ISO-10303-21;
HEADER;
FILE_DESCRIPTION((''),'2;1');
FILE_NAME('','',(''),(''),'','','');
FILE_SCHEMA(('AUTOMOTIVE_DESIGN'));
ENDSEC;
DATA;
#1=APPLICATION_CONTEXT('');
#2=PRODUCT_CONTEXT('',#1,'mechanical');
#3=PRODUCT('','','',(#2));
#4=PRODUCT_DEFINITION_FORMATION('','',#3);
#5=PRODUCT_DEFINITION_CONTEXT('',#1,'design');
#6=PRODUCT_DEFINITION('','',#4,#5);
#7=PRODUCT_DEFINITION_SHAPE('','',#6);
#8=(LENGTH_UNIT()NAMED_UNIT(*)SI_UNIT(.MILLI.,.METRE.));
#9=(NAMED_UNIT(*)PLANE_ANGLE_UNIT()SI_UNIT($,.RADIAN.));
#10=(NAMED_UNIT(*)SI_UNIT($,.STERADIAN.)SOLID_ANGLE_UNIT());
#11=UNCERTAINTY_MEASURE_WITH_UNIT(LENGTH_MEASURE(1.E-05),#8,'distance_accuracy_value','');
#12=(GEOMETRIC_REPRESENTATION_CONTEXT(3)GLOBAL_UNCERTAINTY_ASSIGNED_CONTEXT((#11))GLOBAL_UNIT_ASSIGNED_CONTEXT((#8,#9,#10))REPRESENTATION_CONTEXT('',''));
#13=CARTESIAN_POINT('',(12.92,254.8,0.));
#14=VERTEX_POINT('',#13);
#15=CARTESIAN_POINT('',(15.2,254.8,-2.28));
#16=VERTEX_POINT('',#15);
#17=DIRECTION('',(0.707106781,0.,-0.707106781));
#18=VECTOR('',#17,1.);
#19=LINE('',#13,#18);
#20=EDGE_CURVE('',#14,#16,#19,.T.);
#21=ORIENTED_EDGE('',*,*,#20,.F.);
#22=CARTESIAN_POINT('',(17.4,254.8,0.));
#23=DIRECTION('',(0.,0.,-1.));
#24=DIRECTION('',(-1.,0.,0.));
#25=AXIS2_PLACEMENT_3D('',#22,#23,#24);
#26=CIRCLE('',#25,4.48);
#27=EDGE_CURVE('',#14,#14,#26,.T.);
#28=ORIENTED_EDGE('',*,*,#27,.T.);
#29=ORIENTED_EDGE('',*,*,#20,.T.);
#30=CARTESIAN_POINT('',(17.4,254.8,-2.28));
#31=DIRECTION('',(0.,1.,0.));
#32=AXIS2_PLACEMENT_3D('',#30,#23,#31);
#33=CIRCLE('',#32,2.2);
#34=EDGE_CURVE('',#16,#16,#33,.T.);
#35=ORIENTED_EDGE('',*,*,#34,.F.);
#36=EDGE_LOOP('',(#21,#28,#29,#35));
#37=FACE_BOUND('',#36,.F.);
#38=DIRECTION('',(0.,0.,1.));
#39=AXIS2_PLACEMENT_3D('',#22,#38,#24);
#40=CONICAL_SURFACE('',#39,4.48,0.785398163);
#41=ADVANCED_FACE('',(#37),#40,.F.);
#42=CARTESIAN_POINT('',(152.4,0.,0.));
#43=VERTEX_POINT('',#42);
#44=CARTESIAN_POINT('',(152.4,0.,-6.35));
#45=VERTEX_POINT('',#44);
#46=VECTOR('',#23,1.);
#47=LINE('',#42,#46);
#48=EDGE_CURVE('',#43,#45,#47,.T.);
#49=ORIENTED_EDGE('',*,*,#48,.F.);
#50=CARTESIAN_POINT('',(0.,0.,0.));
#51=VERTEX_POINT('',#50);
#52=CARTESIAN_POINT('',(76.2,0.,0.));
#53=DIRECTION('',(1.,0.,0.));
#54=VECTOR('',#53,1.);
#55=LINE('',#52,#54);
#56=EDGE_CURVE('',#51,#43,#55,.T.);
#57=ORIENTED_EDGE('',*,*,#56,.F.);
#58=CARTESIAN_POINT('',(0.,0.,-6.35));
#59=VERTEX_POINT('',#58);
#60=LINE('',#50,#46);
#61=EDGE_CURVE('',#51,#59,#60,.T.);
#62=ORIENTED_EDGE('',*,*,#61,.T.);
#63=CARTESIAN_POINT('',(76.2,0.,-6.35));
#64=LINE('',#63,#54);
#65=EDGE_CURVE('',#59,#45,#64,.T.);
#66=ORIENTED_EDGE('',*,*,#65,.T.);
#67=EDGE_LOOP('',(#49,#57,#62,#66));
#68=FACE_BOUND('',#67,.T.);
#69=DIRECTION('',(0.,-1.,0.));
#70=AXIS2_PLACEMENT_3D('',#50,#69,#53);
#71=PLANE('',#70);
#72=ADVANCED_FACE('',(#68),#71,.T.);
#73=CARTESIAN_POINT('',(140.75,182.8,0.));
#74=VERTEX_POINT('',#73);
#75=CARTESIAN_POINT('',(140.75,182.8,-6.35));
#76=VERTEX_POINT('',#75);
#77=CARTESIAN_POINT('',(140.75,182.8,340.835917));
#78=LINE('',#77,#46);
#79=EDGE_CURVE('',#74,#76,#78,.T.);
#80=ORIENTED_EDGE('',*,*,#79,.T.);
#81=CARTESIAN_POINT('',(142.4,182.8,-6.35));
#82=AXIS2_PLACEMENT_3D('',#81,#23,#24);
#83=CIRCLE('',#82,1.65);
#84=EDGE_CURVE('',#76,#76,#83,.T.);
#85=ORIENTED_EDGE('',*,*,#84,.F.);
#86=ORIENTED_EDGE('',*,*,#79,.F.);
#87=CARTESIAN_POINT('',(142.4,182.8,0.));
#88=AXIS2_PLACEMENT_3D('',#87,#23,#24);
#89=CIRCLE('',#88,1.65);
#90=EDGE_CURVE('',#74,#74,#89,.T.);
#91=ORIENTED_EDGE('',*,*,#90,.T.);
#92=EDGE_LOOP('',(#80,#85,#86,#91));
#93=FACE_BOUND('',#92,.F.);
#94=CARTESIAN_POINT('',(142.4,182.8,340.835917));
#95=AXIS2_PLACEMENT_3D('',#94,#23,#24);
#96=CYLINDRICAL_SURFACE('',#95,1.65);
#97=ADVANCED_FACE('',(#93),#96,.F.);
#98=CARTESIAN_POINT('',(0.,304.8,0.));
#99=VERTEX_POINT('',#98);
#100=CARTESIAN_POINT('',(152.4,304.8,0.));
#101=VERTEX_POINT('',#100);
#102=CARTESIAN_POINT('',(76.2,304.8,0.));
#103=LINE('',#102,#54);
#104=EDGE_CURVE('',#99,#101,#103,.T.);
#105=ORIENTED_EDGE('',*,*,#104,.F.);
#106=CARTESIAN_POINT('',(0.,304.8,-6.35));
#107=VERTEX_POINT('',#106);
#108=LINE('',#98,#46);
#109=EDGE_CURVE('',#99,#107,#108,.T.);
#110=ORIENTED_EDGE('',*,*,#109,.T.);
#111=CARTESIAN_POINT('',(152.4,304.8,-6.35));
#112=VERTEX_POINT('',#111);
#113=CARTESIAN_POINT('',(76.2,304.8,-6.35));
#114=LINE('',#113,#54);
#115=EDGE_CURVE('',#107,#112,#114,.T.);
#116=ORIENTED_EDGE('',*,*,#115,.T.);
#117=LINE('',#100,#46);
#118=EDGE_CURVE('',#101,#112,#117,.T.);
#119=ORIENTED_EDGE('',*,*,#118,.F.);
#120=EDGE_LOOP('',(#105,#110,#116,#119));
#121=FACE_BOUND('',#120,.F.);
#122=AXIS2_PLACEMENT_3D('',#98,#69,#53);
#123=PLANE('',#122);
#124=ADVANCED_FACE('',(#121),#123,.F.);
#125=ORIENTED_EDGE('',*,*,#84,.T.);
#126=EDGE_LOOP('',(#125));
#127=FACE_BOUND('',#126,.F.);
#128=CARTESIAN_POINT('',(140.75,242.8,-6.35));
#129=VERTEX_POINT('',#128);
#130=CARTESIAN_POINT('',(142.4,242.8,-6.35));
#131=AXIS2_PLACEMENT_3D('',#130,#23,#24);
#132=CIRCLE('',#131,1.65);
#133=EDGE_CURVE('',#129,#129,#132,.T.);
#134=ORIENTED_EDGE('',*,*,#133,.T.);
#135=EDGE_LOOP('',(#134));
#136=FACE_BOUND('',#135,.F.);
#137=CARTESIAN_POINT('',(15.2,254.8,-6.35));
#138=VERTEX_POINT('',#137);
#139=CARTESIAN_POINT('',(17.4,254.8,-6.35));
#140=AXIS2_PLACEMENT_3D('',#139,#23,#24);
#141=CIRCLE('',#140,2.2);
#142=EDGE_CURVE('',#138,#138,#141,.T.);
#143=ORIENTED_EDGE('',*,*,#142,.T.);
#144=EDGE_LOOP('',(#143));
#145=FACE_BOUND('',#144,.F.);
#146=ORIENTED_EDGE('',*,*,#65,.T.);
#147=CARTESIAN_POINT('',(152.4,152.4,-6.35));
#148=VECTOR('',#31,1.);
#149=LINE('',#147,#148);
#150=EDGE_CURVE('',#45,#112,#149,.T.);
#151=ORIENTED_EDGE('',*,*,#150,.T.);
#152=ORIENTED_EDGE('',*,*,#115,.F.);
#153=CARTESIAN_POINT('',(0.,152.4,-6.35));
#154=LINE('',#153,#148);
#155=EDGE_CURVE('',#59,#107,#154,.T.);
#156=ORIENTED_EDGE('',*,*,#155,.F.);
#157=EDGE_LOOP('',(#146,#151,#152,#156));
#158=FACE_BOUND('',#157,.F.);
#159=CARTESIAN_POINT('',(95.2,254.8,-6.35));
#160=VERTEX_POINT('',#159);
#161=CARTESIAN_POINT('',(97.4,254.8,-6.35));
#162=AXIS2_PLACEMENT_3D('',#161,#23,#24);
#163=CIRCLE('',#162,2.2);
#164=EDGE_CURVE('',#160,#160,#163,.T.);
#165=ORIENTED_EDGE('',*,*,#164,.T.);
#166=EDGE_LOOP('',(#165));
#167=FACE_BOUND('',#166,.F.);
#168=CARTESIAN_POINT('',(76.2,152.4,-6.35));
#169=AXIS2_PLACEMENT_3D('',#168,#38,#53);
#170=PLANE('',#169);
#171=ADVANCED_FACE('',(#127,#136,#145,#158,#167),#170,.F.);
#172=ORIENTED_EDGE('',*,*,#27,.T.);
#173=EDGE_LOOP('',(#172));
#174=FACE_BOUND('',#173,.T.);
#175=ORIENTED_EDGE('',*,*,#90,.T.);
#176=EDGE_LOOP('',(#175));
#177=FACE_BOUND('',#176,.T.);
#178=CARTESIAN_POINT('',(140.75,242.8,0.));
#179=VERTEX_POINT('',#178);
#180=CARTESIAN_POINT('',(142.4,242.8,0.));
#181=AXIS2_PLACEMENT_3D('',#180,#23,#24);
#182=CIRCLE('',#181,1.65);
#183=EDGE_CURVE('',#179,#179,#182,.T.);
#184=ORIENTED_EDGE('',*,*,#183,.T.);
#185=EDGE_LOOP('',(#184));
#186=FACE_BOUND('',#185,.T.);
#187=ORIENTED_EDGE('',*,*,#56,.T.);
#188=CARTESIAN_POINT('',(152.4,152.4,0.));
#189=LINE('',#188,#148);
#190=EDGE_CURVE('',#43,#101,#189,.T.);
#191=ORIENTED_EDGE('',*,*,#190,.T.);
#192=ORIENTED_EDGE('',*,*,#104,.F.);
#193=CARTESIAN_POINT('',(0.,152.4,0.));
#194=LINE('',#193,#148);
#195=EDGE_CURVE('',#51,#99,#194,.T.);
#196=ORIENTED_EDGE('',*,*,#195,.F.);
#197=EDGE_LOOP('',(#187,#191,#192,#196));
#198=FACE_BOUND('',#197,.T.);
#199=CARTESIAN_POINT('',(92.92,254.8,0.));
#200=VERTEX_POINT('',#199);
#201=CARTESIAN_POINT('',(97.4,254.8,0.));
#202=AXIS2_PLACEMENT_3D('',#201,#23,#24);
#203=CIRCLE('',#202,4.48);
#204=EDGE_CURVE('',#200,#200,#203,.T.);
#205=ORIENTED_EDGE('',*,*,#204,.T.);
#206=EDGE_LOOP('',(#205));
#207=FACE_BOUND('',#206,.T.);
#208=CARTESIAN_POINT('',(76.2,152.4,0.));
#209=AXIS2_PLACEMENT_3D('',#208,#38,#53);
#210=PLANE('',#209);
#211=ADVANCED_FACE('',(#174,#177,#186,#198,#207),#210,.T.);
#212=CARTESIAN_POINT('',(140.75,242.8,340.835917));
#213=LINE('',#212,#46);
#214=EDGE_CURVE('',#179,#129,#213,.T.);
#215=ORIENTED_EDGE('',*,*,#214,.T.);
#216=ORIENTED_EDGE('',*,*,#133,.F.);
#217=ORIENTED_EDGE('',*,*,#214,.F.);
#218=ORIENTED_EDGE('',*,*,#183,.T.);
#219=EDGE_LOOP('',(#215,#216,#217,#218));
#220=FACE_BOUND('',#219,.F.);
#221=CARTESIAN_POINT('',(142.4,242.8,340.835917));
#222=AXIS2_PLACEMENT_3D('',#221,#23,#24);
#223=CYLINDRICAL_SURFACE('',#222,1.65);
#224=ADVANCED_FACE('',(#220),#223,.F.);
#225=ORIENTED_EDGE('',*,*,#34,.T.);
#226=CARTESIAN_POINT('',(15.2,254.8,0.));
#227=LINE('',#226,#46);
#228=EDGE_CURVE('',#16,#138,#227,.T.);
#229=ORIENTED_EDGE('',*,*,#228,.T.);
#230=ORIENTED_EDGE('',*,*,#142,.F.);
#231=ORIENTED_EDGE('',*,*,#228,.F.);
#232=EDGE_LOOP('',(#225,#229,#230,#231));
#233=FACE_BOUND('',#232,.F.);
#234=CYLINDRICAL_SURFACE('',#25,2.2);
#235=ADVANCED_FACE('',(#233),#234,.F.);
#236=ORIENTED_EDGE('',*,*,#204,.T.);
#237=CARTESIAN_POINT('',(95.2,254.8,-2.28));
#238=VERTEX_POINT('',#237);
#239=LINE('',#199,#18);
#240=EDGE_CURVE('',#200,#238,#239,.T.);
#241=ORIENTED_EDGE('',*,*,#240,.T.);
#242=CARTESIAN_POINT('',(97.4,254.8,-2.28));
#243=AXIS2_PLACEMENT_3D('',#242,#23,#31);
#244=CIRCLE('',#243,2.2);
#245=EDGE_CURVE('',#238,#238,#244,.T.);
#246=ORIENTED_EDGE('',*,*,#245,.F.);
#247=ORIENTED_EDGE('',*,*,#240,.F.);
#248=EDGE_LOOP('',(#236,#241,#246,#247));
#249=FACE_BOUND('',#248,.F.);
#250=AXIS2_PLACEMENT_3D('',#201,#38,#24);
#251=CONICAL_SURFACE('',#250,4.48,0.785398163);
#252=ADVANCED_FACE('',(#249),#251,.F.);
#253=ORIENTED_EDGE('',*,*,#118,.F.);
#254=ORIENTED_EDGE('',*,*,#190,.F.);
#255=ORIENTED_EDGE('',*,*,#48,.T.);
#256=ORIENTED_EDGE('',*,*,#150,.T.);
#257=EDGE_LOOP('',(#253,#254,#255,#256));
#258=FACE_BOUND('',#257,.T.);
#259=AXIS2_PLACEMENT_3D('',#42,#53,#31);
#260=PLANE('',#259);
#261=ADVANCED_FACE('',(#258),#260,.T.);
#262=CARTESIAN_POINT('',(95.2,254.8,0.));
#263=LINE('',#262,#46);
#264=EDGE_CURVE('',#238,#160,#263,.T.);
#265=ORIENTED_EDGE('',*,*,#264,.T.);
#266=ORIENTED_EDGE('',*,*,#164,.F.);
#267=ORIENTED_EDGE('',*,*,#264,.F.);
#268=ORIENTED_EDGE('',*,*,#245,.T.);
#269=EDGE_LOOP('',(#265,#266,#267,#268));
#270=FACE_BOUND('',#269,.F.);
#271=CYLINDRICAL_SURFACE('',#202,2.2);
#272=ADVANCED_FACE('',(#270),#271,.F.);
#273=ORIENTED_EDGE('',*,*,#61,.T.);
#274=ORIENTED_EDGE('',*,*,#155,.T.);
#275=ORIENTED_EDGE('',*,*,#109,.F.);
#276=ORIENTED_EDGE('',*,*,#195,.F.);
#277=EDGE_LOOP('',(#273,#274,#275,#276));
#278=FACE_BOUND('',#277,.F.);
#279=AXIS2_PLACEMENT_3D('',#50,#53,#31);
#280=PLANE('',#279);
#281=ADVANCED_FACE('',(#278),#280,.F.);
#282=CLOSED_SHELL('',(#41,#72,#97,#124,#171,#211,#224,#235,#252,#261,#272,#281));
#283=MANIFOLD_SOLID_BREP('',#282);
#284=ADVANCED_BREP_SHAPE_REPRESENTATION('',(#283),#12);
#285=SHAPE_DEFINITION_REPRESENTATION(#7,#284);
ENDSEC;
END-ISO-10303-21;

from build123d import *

# Parameters (mm, degrees)
F0_W           = 152.4
F0_H           = 304.8
F1_DEPTH       = 6.35
F3_D           = 4.4
F3_CSINK_D     = 8.96
F3_CSINK_ANGLE = 90
F5_D           = 3.3


with BuildPart() as f1:
    # F0 (on Top) → F1 (new body)
    with BuildSketch(Plane.XY):
        with Locations((76.2, 152.4)):
            Rectangle(F0_W, F0_H)
    extrude(amount=-F1_DEPTH)

    # F3 (through all)
    with Locations(Plane.XY):
        with Locations((97.4, 254.8), (17.4, 254.8)):
            CounterSinkHole(F3_D / 2, F3_CSINK_D / 2, counter_sink_angle=F3_CSINK_ANGLE)

    # F5 (through all)
    with Locations(Plane.XY):
        with Locations((142.4, 242.8), (142.4, 182.8)):
            Hole(F5_D / 2)


solid = f1.part
